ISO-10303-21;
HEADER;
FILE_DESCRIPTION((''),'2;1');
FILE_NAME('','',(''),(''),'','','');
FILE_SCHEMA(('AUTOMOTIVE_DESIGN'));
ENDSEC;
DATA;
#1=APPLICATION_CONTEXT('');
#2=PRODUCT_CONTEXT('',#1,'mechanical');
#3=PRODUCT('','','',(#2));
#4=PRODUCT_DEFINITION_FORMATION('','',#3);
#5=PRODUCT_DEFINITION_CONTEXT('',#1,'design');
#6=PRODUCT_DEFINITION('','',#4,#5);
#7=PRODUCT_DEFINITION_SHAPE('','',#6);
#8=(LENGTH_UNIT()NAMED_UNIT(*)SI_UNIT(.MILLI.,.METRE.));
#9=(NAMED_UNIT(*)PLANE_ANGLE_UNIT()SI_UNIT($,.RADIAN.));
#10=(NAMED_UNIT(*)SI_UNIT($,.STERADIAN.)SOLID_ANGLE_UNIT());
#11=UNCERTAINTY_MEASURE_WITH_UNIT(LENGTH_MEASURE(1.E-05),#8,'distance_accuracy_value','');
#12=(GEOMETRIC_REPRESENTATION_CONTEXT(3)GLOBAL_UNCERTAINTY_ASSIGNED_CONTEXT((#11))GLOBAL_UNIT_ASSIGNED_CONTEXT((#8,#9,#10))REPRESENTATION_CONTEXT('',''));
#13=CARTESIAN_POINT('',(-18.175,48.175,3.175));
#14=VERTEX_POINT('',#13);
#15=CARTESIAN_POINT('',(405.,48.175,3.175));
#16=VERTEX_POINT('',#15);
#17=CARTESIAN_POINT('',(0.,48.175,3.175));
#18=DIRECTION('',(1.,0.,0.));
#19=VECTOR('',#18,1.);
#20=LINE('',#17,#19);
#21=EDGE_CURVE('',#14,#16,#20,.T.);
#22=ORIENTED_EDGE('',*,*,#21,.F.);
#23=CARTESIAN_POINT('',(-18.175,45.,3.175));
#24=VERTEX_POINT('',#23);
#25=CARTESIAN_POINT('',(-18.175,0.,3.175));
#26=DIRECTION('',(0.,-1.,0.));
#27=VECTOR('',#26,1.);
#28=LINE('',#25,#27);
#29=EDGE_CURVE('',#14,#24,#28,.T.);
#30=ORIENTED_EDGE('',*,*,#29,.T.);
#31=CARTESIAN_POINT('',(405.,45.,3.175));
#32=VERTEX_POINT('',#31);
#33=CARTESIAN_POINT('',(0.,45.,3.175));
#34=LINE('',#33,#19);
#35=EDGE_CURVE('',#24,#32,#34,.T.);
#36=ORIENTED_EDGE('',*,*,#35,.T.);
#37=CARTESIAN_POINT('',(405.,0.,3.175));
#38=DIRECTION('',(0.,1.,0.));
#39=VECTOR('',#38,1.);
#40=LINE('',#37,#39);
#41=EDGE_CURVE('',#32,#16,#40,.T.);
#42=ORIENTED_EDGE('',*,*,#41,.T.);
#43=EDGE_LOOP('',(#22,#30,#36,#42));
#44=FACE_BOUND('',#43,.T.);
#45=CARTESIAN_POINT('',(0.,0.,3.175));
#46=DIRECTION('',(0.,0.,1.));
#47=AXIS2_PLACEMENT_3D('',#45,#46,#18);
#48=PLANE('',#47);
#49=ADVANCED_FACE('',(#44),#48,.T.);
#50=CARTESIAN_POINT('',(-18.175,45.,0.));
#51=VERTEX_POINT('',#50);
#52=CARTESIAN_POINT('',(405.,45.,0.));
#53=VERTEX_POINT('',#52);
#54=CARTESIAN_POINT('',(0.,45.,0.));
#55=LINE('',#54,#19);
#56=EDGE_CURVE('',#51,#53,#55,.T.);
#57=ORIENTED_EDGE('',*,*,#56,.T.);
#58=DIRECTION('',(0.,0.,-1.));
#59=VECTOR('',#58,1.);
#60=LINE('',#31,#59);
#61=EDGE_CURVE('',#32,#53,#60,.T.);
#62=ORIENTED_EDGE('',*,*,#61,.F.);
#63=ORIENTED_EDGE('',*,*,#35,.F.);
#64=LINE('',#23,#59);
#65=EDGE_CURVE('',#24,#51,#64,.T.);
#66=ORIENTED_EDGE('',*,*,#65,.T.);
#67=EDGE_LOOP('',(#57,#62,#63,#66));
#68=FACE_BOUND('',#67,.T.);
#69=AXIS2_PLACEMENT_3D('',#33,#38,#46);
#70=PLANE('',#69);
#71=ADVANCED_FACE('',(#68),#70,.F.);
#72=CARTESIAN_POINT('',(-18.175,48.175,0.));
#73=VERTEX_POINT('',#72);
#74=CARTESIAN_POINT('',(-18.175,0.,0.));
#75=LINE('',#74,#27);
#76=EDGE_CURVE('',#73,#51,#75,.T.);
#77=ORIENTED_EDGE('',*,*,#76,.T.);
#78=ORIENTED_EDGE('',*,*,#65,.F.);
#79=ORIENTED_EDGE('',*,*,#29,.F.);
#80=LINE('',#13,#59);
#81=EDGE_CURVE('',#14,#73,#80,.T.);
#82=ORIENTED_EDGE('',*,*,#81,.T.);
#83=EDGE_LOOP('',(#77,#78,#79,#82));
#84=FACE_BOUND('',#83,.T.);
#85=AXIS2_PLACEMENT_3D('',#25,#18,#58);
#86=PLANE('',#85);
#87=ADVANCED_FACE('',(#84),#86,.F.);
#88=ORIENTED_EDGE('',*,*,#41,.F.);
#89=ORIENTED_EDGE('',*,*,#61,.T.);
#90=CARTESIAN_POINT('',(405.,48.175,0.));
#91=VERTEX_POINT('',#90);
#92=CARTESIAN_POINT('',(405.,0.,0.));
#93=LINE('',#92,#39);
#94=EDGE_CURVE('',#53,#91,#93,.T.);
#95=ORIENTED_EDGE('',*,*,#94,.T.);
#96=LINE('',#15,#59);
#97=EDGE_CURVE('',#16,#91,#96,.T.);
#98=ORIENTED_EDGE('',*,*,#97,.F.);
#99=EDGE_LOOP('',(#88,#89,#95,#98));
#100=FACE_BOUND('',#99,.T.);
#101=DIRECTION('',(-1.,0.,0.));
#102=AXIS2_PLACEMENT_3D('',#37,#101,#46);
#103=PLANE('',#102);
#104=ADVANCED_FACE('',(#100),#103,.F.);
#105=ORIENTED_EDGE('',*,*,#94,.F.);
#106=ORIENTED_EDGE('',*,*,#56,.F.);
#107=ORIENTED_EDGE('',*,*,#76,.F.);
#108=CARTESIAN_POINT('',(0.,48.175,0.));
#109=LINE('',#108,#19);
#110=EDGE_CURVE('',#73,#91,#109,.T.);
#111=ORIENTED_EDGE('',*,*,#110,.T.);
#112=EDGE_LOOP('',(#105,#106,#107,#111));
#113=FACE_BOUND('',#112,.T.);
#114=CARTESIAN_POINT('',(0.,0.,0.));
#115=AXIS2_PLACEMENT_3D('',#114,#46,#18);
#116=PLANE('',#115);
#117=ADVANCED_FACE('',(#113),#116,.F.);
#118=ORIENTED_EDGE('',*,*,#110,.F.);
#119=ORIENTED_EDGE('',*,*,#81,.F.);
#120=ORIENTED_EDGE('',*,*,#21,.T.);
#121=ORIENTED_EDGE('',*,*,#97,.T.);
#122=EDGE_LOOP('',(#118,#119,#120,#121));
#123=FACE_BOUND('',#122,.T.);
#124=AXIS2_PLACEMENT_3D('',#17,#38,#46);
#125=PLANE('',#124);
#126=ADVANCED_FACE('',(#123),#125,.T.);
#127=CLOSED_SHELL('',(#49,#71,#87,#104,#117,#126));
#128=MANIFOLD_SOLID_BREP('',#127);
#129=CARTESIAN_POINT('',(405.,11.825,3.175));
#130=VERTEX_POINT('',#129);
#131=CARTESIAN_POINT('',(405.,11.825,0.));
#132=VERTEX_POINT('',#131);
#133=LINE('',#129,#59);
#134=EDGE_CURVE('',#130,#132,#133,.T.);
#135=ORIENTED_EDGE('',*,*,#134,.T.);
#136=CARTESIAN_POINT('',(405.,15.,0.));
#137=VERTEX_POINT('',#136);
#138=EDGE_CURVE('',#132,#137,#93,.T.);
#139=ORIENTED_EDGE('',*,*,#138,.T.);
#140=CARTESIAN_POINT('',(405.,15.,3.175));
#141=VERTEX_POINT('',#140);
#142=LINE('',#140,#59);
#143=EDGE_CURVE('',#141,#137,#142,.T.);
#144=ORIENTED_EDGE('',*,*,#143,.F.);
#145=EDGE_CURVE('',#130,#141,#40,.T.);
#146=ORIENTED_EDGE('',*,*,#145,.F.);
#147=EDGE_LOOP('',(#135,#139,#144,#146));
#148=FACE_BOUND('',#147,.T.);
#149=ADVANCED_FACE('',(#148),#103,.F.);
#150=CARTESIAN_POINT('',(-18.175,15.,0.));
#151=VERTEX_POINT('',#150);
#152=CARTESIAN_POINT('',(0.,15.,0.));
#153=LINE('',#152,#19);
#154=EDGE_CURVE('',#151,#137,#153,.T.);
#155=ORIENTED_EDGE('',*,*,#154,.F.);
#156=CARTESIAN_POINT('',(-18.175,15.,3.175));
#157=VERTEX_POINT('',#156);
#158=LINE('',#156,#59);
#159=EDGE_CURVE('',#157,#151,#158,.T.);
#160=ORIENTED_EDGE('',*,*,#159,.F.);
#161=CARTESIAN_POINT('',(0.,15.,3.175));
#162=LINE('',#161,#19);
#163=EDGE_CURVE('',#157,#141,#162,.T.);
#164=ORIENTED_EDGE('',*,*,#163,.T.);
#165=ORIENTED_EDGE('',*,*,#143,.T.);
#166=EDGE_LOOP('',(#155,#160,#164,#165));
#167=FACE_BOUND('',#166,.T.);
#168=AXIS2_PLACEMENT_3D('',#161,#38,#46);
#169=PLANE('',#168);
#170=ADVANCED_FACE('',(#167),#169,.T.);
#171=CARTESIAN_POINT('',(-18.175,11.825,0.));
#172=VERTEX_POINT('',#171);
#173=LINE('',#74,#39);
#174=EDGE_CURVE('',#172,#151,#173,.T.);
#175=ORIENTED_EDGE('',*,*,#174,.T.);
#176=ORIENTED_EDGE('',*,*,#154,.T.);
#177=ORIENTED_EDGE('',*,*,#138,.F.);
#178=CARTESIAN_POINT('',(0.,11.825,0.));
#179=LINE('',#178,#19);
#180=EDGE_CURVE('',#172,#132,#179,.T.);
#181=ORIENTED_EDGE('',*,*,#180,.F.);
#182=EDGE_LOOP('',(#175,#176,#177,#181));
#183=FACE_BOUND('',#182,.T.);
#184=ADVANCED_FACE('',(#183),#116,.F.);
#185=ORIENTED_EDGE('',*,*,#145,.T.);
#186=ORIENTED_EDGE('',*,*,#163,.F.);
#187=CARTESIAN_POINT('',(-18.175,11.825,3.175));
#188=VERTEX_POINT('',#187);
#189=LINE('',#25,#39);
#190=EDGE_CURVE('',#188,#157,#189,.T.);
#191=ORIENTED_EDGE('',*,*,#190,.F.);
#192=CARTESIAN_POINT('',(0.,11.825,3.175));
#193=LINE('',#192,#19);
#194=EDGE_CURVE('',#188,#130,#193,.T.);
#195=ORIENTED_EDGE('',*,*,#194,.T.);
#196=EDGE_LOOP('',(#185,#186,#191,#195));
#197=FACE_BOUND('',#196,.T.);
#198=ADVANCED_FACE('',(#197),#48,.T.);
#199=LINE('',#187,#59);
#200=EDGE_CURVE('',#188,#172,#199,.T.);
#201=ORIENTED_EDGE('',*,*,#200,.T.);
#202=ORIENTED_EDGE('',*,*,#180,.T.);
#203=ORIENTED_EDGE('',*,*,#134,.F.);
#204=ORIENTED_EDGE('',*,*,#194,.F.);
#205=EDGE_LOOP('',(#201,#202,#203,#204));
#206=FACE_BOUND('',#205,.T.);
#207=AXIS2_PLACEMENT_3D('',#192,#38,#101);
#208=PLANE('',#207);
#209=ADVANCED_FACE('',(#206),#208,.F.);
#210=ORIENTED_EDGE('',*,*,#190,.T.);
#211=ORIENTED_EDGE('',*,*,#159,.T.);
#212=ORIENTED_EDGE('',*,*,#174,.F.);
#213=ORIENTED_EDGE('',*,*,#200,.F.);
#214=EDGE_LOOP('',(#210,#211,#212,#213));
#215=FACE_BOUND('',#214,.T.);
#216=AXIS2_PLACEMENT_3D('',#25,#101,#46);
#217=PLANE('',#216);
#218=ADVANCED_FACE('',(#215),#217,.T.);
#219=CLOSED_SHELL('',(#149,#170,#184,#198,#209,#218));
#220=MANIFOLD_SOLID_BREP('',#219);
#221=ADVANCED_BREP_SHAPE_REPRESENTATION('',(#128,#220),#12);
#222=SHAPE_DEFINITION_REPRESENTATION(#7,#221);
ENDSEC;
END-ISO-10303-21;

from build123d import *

# Parameters (mm, degrees)
BOSS_EXTRUDE1_DEPTH   = 3.175
BOSS_EXTRUDE1_2_DEPTH = 3.175


with BuildPart() as part:
    # Sketch1 → Boss-Extrude1 (new body)
    with BuildSketch(Plane.XY):
        Polygon((15, 45), (405, 45), (405, 48.175), (18.175, 48.175), (-18.175, 48.175), (-18.175, 45), (-15, 45), align=None)
    extrude(amount=BOSS_EXTRUDE1_DEPTH)


with BuildPart() as body_2:
    # Sketch1 → Boss-Extrude1 2 (new body)
    with BuildSketch(Plane.XY):
        Polygon((-18.175, 15), (-15, 15), (15, 15), (405, 15), (405, 11.825), (18.175, 11.825), (-18.175, 11.825), align=None)
    extrude(amount=BOSS_EXTRUDE1_2_DEPTH)


solid = Compound([part.part, body_2.part])
